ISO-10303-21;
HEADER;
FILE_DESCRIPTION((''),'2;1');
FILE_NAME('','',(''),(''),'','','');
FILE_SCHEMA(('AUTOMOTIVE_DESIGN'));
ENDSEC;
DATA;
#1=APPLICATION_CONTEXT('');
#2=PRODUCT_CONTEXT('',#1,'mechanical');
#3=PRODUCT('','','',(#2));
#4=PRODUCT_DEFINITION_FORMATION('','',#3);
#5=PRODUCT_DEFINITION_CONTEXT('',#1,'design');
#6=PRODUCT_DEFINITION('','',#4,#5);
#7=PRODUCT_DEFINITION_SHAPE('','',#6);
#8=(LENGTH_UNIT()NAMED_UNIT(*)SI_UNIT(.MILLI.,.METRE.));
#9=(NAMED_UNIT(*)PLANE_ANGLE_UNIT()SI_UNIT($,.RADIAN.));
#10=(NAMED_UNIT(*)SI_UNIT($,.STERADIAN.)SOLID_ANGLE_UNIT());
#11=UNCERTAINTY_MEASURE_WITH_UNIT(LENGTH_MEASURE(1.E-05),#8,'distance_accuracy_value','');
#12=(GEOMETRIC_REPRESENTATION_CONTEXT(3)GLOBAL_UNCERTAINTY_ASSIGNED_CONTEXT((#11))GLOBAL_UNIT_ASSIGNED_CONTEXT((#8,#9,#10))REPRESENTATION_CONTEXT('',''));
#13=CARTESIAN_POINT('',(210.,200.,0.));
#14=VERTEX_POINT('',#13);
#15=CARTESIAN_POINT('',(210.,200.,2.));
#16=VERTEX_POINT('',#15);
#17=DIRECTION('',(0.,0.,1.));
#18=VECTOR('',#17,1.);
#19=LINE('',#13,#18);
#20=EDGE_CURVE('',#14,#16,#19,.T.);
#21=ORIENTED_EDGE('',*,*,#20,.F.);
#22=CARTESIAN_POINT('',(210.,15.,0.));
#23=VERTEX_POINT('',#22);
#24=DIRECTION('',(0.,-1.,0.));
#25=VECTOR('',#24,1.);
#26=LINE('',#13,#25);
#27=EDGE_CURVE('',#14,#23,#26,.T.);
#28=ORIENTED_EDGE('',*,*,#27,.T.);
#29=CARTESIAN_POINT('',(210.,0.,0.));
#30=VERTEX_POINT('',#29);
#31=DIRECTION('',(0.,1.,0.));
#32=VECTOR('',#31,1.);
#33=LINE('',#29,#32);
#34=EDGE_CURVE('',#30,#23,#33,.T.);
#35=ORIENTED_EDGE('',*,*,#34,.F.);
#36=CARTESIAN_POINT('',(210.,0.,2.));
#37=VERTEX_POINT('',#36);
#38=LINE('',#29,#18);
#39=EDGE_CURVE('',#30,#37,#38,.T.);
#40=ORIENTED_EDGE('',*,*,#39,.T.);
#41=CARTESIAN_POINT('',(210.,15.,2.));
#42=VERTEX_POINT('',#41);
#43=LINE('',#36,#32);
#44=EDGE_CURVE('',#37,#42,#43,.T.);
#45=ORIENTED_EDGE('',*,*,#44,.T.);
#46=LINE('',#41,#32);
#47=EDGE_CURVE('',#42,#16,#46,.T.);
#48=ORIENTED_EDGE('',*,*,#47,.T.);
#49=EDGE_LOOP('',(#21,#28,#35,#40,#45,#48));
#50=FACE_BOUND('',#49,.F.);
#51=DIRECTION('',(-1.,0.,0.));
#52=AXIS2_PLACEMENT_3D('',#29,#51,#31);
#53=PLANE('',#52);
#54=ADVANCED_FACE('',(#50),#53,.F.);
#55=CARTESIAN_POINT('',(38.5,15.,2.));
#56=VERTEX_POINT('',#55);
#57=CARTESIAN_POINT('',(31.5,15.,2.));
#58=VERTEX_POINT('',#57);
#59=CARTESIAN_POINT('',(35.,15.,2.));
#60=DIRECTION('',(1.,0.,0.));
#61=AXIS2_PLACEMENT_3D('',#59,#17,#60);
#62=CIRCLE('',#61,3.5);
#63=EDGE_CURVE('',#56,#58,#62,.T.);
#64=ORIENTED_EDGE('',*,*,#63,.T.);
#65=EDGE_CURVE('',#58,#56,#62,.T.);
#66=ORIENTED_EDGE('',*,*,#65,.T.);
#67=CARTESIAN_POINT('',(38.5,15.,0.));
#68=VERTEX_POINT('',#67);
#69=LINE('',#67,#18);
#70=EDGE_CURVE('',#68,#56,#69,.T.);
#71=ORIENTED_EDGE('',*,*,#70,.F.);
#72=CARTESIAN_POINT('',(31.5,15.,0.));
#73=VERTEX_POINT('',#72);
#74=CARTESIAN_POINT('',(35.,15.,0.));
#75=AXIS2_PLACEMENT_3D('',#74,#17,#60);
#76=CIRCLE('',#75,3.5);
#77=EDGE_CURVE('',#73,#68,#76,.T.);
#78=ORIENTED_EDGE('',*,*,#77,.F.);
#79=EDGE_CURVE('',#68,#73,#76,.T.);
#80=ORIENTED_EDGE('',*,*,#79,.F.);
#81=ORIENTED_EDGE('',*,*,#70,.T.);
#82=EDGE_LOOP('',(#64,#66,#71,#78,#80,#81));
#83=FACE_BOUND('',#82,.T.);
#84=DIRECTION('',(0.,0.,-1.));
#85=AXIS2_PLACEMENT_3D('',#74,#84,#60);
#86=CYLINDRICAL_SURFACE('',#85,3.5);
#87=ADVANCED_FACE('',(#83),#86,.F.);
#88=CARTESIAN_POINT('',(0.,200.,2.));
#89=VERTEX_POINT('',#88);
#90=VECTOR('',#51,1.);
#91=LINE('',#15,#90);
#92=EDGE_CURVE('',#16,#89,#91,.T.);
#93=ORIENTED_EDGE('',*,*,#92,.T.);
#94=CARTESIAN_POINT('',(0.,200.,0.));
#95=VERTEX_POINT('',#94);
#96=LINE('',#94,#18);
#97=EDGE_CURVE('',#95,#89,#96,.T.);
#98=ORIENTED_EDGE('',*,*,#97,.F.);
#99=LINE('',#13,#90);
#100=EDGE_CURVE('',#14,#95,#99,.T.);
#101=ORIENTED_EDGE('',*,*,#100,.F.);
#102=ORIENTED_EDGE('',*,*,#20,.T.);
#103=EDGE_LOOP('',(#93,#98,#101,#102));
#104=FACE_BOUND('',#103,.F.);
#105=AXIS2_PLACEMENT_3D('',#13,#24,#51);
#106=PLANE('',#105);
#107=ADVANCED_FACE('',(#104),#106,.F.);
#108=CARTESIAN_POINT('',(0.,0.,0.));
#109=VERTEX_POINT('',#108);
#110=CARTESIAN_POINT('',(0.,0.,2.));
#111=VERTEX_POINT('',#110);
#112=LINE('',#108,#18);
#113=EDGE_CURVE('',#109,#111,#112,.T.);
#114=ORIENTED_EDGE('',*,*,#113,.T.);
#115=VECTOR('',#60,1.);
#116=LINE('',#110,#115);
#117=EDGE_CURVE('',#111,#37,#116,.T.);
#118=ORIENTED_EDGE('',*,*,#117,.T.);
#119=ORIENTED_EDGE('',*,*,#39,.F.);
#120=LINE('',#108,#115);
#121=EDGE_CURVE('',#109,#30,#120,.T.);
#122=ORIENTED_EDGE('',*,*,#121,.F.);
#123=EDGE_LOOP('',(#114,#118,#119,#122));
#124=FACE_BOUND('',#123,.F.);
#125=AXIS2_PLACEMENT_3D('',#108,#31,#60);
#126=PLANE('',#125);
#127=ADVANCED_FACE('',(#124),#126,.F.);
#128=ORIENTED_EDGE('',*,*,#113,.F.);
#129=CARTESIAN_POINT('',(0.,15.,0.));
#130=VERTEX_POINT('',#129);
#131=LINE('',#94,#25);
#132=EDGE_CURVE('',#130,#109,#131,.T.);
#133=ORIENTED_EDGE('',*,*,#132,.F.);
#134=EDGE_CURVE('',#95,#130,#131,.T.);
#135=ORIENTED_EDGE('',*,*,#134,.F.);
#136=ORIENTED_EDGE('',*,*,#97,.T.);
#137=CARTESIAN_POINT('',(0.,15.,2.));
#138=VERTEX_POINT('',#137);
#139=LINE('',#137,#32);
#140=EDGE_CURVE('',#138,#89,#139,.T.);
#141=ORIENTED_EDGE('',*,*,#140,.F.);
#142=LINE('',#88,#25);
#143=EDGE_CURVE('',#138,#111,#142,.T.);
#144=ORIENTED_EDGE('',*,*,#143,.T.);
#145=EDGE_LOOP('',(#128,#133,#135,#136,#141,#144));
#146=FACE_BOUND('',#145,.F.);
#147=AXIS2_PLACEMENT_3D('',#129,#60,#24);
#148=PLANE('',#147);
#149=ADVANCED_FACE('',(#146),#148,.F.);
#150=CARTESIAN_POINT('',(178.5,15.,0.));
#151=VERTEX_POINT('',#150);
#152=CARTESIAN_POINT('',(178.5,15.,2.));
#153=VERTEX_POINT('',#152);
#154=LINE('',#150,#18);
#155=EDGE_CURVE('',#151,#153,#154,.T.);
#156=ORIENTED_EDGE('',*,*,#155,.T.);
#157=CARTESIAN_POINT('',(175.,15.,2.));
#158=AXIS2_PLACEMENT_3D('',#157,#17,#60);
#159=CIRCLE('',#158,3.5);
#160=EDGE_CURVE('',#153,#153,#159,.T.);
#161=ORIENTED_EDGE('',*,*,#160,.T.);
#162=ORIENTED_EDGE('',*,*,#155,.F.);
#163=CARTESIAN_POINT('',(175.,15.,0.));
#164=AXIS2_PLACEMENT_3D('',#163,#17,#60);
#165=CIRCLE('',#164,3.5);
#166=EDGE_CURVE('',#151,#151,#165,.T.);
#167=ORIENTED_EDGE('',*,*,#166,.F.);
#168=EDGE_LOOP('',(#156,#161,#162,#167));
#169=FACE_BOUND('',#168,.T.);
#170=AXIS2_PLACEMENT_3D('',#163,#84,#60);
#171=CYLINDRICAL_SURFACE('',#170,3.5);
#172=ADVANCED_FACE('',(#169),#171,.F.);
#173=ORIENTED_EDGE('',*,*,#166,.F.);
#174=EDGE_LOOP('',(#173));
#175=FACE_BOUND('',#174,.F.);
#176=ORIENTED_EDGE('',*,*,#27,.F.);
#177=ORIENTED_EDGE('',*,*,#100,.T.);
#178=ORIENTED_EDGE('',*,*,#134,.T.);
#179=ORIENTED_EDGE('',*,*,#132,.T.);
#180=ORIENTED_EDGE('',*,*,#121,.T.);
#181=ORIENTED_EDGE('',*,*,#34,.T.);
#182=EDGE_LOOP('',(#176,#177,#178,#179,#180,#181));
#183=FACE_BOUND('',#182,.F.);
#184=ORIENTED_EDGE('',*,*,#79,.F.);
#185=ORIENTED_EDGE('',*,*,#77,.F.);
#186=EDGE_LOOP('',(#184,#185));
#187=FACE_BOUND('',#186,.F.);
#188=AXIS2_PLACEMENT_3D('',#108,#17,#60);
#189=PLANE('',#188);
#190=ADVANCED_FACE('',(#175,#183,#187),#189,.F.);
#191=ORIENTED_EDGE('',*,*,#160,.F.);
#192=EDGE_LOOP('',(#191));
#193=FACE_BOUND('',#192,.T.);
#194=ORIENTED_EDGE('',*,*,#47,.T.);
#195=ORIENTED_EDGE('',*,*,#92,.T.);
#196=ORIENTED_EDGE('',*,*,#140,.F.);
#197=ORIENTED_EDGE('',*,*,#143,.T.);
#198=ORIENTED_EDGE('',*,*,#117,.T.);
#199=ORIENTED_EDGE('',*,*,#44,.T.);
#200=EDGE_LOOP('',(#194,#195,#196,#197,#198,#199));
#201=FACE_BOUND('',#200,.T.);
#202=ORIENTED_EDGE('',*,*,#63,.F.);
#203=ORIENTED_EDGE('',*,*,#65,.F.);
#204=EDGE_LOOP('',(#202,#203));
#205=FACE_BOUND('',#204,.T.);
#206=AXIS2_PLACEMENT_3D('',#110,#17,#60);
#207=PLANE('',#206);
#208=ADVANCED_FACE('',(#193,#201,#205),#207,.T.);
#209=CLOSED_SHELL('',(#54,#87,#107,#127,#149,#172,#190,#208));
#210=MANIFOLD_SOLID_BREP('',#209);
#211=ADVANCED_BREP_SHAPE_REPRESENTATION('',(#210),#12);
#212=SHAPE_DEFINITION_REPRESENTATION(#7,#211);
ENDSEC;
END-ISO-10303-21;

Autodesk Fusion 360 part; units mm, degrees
sketch "Skizze1" plane through (0, 0, 0) normal (0, 0, 1) x (1, 0, 0)
  line L0 (0, 0) -> (210, 0)
  line L1 (210, 0) -> (210, 200)
  line L2 (210, 200) -> (0, 200)
  line L3 (0, 200) -> (0, 0)
  line L4 (0, 0) -> (210, 0)
  line L5 (210, 0) -> (210, 30)
  line L6 (210, 30) -> (0, 30)
  line L7 (0, 30) -> (0, 0)
  line L8 (0, 15) -> (210, 15) construction
  line L9 (0, 15) -> (35, 15)
  circle A0 centre (35, 15) radius 3.5
  line L10 (210, 15) -> (175, 15)
  circle A1 centre (175, 15) radius 3.5
  dimension "d1" = 210
  dimension "d2" = 200
  dimension "d3" = 7
  dimension "d4" = 7
extrude "Extrusion1" add sketch "Skizze1" along normal blind 2
